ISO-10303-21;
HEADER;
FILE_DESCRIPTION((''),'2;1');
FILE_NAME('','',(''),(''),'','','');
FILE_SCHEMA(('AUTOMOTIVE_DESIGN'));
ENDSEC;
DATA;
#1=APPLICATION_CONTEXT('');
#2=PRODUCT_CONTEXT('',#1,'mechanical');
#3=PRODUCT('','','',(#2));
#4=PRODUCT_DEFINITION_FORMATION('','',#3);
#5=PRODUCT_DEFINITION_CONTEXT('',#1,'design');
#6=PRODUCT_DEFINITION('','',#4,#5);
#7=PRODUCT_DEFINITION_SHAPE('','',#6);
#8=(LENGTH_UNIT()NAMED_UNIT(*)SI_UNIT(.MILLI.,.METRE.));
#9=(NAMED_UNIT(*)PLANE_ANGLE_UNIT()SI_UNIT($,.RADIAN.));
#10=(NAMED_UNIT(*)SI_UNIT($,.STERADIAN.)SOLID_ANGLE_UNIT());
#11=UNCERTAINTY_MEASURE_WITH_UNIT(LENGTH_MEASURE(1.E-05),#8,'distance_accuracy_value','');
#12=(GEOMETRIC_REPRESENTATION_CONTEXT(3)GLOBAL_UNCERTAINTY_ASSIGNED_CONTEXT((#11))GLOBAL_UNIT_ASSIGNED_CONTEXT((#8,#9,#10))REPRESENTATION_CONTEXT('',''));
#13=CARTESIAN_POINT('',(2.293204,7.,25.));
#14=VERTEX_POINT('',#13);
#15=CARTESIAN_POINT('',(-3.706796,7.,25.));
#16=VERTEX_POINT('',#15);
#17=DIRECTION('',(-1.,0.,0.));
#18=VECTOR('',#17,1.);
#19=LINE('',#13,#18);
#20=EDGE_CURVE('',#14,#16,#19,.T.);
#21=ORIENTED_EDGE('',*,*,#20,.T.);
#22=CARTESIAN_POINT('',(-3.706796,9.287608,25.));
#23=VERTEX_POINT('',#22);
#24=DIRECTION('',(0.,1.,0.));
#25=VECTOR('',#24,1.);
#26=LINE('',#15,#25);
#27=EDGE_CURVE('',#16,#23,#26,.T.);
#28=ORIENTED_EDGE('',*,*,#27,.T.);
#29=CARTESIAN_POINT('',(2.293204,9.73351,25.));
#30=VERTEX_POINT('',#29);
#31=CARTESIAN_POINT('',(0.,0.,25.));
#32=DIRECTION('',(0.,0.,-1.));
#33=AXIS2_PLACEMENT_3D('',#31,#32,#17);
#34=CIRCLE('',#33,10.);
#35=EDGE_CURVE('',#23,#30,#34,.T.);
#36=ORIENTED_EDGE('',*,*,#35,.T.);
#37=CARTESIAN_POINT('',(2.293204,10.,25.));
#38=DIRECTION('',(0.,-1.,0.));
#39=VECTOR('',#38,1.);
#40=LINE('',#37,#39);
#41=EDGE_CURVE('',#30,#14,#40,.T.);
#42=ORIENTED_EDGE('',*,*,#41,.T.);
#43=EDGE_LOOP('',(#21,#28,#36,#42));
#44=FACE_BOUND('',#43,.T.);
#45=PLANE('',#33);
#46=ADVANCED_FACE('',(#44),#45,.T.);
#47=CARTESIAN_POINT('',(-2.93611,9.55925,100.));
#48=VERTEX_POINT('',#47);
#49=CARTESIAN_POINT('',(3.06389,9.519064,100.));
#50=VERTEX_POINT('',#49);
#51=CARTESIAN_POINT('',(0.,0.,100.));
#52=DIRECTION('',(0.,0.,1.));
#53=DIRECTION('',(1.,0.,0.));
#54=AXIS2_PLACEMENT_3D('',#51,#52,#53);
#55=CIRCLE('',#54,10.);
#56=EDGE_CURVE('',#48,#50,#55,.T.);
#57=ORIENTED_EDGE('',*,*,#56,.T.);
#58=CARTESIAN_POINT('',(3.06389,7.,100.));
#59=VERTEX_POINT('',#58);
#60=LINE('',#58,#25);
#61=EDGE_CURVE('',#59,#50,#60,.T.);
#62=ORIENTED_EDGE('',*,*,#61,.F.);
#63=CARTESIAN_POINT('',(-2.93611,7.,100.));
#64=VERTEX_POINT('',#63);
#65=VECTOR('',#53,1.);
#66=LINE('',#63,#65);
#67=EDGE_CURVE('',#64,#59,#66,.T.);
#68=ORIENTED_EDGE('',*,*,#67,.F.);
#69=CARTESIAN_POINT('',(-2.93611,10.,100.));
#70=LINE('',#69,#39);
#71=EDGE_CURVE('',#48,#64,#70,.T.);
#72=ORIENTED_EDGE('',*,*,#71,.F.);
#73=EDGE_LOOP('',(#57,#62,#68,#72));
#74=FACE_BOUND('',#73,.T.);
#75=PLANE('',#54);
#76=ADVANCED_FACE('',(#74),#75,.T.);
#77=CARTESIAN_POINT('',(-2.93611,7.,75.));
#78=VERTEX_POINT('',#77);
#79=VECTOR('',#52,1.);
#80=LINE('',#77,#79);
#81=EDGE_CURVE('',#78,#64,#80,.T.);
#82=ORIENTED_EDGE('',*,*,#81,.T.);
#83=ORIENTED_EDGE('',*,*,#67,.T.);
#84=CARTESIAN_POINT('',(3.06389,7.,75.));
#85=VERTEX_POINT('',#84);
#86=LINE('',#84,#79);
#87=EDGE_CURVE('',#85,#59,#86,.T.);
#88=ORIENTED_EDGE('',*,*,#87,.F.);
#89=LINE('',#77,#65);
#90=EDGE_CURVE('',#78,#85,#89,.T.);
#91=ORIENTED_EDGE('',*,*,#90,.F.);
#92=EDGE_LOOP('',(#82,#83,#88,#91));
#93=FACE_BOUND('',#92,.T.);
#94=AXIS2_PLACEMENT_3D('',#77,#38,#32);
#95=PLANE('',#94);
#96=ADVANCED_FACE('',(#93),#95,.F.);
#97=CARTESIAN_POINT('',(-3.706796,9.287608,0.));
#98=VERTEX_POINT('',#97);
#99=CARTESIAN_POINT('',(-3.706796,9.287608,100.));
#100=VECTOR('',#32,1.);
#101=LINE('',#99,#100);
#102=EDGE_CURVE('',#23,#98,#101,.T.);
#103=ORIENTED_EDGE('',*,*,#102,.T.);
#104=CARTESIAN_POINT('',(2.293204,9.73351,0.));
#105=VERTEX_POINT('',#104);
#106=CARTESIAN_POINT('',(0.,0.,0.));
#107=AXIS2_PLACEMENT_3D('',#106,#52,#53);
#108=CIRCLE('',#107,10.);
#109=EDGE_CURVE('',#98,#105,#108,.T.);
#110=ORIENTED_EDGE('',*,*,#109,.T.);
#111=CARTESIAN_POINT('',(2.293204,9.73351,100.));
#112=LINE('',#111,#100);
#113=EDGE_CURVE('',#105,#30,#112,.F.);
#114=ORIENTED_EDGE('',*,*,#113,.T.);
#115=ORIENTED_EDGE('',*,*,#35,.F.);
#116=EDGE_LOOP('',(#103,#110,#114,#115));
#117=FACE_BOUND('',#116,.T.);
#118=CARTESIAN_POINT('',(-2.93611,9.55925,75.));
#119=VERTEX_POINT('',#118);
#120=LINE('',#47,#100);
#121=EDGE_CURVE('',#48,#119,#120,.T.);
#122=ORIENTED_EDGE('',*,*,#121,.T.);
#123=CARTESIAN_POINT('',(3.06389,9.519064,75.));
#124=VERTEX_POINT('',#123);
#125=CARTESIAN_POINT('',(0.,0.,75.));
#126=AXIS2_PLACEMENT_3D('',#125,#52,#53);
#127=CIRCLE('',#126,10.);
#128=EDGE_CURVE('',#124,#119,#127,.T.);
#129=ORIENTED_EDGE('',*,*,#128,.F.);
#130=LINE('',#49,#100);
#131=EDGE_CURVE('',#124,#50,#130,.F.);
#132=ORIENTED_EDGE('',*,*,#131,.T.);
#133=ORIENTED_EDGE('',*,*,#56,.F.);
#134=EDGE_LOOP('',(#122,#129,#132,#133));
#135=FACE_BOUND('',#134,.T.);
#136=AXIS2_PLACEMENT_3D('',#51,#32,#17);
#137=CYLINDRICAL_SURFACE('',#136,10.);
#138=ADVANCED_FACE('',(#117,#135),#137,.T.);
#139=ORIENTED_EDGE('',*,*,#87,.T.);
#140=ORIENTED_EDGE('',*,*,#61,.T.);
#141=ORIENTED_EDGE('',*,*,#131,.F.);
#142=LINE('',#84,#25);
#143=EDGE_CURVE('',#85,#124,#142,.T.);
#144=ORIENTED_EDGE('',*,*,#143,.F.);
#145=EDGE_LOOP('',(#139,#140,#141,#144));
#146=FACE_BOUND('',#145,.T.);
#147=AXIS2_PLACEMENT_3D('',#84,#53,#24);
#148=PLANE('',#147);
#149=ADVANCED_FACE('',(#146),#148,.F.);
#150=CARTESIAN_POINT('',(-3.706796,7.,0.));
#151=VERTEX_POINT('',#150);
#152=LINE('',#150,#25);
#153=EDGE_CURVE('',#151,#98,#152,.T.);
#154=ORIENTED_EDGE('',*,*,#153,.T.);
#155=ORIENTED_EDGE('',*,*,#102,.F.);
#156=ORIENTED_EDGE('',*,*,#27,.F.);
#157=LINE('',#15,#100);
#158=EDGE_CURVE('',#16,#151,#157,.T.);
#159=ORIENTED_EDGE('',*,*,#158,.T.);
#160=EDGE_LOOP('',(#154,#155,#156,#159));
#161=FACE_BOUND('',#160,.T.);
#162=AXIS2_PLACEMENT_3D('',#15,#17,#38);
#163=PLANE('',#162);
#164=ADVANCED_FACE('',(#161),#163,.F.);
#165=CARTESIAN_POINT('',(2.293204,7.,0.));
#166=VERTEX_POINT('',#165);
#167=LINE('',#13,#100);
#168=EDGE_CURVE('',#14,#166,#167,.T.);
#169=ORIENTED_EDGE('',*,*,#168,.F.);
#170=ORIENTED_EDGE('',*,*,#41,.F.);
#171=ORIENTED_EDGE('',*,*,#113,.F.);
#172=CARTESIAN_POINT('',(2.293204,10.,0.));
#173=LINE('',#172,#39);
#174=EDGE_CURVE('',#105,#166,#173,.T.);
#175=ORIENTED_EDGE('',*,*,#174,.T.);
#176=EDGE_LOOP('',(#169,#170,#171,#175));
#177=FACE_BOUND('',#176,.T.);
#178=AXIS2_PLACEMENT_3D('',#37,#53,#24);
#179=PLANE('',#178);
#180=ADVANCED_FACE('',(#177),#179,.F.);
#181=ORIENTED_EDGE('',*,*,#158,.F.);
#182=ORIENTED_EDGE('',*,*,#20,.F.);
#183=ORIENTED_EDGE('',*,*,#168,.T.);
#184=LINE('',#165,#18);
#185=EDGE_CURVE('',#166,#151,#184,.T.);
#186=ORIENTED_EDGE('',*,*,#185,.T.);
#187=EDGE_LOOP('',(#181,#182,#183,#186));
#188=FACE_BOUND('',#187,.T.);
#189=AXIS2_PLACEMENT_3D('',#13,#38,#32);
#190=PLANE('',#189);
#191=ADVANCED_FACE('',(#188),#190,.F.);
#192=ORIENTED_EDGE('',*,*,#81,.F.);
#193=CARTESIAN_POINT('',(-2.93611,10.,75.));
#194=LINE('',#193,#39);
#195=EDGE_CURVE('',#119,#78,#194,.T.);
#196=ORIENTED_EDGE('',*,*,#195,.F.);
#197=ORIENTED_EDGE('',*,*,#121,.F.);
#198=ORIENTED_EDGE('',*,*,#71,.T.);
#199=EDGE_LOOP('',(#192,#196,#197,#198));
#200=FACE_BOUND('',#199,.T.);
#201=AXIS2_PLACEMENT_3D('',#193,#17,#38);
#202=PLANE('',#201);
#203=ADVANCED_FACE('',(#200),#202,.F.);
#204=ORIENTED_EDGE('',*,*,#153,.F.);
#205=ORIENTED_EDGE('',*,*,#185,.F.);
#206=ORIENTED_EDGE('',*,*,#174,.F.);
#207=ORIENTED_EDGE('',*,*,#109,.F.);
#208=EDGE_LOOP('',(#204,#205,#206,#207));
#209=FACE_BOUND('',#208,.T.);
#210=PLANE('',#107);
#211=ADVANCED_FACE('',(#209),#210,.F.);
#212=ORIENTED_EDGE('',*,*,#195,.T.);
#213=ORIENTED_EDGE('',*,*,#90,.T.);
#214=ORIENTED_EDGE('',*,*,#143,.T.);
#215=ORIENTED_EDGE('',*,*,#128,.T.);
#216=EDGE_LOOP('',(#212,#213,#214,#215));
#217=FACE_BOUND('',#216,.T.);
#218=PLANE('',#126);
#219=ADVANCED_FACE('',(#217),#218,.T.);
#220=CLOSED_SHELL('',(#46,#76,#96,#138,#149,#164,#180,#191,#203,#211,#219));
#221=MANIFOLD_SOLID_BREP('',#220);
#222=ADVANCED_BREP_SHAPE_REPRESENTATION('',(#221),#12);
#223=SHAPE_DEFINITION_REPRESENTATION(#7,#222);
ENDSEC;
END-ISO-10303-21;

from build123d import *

# Parameters (mm, degrees)
SKETCH1_R           = 10
SHAFT_D20X100_DEPTH = 100
SKETCH3_W           = 6
SKETCH3_H           = 3
KEYWAY_6X25_DEPTH   = 25
SKETCH4_W           = 6
SKETCH4_H           = 3
KEYWAT2_6X25_DEPTH  = 25


with BuildPart() as part:
    # Sketch1 → Shaft_D20x100 (new body)
    with BuildSketch(Plane.XY):
        with Locations(Location((0, 0, 0), (0, 0, 180))):
            Circle(SKETCH1_R)
    extrude(amount=SHAFT_D20X100_DEPTH)

    # Sketch3 → Keyway_6x25 (cut)
    with BuildSketch(Plane(origin=(0, 0, 0), x_dir=(-1, 0, 0), z_dir=(0, 0, -1))):
        with Locations((0.706795811, 8.5)):
            Rectangle(SKETCH3_W, SKETCH3_H)
    extrude(amount=-KEYWAY_6X25_DEPTH, mode=Mode.SUBTRACT)

    # Sketch4 → keywat2_6x25 (cut)
    with BuildSketch(Plane.XY.offset(100)):
        with Locations((0.063890127, 8.5)):
            Rectangle(SKETCH4_W, SKETCH4_H)
    extrude(amount=-KEYWAT2_6X25_DEPTH, mode=Mode.SUBTRACT)


solid = part.part
